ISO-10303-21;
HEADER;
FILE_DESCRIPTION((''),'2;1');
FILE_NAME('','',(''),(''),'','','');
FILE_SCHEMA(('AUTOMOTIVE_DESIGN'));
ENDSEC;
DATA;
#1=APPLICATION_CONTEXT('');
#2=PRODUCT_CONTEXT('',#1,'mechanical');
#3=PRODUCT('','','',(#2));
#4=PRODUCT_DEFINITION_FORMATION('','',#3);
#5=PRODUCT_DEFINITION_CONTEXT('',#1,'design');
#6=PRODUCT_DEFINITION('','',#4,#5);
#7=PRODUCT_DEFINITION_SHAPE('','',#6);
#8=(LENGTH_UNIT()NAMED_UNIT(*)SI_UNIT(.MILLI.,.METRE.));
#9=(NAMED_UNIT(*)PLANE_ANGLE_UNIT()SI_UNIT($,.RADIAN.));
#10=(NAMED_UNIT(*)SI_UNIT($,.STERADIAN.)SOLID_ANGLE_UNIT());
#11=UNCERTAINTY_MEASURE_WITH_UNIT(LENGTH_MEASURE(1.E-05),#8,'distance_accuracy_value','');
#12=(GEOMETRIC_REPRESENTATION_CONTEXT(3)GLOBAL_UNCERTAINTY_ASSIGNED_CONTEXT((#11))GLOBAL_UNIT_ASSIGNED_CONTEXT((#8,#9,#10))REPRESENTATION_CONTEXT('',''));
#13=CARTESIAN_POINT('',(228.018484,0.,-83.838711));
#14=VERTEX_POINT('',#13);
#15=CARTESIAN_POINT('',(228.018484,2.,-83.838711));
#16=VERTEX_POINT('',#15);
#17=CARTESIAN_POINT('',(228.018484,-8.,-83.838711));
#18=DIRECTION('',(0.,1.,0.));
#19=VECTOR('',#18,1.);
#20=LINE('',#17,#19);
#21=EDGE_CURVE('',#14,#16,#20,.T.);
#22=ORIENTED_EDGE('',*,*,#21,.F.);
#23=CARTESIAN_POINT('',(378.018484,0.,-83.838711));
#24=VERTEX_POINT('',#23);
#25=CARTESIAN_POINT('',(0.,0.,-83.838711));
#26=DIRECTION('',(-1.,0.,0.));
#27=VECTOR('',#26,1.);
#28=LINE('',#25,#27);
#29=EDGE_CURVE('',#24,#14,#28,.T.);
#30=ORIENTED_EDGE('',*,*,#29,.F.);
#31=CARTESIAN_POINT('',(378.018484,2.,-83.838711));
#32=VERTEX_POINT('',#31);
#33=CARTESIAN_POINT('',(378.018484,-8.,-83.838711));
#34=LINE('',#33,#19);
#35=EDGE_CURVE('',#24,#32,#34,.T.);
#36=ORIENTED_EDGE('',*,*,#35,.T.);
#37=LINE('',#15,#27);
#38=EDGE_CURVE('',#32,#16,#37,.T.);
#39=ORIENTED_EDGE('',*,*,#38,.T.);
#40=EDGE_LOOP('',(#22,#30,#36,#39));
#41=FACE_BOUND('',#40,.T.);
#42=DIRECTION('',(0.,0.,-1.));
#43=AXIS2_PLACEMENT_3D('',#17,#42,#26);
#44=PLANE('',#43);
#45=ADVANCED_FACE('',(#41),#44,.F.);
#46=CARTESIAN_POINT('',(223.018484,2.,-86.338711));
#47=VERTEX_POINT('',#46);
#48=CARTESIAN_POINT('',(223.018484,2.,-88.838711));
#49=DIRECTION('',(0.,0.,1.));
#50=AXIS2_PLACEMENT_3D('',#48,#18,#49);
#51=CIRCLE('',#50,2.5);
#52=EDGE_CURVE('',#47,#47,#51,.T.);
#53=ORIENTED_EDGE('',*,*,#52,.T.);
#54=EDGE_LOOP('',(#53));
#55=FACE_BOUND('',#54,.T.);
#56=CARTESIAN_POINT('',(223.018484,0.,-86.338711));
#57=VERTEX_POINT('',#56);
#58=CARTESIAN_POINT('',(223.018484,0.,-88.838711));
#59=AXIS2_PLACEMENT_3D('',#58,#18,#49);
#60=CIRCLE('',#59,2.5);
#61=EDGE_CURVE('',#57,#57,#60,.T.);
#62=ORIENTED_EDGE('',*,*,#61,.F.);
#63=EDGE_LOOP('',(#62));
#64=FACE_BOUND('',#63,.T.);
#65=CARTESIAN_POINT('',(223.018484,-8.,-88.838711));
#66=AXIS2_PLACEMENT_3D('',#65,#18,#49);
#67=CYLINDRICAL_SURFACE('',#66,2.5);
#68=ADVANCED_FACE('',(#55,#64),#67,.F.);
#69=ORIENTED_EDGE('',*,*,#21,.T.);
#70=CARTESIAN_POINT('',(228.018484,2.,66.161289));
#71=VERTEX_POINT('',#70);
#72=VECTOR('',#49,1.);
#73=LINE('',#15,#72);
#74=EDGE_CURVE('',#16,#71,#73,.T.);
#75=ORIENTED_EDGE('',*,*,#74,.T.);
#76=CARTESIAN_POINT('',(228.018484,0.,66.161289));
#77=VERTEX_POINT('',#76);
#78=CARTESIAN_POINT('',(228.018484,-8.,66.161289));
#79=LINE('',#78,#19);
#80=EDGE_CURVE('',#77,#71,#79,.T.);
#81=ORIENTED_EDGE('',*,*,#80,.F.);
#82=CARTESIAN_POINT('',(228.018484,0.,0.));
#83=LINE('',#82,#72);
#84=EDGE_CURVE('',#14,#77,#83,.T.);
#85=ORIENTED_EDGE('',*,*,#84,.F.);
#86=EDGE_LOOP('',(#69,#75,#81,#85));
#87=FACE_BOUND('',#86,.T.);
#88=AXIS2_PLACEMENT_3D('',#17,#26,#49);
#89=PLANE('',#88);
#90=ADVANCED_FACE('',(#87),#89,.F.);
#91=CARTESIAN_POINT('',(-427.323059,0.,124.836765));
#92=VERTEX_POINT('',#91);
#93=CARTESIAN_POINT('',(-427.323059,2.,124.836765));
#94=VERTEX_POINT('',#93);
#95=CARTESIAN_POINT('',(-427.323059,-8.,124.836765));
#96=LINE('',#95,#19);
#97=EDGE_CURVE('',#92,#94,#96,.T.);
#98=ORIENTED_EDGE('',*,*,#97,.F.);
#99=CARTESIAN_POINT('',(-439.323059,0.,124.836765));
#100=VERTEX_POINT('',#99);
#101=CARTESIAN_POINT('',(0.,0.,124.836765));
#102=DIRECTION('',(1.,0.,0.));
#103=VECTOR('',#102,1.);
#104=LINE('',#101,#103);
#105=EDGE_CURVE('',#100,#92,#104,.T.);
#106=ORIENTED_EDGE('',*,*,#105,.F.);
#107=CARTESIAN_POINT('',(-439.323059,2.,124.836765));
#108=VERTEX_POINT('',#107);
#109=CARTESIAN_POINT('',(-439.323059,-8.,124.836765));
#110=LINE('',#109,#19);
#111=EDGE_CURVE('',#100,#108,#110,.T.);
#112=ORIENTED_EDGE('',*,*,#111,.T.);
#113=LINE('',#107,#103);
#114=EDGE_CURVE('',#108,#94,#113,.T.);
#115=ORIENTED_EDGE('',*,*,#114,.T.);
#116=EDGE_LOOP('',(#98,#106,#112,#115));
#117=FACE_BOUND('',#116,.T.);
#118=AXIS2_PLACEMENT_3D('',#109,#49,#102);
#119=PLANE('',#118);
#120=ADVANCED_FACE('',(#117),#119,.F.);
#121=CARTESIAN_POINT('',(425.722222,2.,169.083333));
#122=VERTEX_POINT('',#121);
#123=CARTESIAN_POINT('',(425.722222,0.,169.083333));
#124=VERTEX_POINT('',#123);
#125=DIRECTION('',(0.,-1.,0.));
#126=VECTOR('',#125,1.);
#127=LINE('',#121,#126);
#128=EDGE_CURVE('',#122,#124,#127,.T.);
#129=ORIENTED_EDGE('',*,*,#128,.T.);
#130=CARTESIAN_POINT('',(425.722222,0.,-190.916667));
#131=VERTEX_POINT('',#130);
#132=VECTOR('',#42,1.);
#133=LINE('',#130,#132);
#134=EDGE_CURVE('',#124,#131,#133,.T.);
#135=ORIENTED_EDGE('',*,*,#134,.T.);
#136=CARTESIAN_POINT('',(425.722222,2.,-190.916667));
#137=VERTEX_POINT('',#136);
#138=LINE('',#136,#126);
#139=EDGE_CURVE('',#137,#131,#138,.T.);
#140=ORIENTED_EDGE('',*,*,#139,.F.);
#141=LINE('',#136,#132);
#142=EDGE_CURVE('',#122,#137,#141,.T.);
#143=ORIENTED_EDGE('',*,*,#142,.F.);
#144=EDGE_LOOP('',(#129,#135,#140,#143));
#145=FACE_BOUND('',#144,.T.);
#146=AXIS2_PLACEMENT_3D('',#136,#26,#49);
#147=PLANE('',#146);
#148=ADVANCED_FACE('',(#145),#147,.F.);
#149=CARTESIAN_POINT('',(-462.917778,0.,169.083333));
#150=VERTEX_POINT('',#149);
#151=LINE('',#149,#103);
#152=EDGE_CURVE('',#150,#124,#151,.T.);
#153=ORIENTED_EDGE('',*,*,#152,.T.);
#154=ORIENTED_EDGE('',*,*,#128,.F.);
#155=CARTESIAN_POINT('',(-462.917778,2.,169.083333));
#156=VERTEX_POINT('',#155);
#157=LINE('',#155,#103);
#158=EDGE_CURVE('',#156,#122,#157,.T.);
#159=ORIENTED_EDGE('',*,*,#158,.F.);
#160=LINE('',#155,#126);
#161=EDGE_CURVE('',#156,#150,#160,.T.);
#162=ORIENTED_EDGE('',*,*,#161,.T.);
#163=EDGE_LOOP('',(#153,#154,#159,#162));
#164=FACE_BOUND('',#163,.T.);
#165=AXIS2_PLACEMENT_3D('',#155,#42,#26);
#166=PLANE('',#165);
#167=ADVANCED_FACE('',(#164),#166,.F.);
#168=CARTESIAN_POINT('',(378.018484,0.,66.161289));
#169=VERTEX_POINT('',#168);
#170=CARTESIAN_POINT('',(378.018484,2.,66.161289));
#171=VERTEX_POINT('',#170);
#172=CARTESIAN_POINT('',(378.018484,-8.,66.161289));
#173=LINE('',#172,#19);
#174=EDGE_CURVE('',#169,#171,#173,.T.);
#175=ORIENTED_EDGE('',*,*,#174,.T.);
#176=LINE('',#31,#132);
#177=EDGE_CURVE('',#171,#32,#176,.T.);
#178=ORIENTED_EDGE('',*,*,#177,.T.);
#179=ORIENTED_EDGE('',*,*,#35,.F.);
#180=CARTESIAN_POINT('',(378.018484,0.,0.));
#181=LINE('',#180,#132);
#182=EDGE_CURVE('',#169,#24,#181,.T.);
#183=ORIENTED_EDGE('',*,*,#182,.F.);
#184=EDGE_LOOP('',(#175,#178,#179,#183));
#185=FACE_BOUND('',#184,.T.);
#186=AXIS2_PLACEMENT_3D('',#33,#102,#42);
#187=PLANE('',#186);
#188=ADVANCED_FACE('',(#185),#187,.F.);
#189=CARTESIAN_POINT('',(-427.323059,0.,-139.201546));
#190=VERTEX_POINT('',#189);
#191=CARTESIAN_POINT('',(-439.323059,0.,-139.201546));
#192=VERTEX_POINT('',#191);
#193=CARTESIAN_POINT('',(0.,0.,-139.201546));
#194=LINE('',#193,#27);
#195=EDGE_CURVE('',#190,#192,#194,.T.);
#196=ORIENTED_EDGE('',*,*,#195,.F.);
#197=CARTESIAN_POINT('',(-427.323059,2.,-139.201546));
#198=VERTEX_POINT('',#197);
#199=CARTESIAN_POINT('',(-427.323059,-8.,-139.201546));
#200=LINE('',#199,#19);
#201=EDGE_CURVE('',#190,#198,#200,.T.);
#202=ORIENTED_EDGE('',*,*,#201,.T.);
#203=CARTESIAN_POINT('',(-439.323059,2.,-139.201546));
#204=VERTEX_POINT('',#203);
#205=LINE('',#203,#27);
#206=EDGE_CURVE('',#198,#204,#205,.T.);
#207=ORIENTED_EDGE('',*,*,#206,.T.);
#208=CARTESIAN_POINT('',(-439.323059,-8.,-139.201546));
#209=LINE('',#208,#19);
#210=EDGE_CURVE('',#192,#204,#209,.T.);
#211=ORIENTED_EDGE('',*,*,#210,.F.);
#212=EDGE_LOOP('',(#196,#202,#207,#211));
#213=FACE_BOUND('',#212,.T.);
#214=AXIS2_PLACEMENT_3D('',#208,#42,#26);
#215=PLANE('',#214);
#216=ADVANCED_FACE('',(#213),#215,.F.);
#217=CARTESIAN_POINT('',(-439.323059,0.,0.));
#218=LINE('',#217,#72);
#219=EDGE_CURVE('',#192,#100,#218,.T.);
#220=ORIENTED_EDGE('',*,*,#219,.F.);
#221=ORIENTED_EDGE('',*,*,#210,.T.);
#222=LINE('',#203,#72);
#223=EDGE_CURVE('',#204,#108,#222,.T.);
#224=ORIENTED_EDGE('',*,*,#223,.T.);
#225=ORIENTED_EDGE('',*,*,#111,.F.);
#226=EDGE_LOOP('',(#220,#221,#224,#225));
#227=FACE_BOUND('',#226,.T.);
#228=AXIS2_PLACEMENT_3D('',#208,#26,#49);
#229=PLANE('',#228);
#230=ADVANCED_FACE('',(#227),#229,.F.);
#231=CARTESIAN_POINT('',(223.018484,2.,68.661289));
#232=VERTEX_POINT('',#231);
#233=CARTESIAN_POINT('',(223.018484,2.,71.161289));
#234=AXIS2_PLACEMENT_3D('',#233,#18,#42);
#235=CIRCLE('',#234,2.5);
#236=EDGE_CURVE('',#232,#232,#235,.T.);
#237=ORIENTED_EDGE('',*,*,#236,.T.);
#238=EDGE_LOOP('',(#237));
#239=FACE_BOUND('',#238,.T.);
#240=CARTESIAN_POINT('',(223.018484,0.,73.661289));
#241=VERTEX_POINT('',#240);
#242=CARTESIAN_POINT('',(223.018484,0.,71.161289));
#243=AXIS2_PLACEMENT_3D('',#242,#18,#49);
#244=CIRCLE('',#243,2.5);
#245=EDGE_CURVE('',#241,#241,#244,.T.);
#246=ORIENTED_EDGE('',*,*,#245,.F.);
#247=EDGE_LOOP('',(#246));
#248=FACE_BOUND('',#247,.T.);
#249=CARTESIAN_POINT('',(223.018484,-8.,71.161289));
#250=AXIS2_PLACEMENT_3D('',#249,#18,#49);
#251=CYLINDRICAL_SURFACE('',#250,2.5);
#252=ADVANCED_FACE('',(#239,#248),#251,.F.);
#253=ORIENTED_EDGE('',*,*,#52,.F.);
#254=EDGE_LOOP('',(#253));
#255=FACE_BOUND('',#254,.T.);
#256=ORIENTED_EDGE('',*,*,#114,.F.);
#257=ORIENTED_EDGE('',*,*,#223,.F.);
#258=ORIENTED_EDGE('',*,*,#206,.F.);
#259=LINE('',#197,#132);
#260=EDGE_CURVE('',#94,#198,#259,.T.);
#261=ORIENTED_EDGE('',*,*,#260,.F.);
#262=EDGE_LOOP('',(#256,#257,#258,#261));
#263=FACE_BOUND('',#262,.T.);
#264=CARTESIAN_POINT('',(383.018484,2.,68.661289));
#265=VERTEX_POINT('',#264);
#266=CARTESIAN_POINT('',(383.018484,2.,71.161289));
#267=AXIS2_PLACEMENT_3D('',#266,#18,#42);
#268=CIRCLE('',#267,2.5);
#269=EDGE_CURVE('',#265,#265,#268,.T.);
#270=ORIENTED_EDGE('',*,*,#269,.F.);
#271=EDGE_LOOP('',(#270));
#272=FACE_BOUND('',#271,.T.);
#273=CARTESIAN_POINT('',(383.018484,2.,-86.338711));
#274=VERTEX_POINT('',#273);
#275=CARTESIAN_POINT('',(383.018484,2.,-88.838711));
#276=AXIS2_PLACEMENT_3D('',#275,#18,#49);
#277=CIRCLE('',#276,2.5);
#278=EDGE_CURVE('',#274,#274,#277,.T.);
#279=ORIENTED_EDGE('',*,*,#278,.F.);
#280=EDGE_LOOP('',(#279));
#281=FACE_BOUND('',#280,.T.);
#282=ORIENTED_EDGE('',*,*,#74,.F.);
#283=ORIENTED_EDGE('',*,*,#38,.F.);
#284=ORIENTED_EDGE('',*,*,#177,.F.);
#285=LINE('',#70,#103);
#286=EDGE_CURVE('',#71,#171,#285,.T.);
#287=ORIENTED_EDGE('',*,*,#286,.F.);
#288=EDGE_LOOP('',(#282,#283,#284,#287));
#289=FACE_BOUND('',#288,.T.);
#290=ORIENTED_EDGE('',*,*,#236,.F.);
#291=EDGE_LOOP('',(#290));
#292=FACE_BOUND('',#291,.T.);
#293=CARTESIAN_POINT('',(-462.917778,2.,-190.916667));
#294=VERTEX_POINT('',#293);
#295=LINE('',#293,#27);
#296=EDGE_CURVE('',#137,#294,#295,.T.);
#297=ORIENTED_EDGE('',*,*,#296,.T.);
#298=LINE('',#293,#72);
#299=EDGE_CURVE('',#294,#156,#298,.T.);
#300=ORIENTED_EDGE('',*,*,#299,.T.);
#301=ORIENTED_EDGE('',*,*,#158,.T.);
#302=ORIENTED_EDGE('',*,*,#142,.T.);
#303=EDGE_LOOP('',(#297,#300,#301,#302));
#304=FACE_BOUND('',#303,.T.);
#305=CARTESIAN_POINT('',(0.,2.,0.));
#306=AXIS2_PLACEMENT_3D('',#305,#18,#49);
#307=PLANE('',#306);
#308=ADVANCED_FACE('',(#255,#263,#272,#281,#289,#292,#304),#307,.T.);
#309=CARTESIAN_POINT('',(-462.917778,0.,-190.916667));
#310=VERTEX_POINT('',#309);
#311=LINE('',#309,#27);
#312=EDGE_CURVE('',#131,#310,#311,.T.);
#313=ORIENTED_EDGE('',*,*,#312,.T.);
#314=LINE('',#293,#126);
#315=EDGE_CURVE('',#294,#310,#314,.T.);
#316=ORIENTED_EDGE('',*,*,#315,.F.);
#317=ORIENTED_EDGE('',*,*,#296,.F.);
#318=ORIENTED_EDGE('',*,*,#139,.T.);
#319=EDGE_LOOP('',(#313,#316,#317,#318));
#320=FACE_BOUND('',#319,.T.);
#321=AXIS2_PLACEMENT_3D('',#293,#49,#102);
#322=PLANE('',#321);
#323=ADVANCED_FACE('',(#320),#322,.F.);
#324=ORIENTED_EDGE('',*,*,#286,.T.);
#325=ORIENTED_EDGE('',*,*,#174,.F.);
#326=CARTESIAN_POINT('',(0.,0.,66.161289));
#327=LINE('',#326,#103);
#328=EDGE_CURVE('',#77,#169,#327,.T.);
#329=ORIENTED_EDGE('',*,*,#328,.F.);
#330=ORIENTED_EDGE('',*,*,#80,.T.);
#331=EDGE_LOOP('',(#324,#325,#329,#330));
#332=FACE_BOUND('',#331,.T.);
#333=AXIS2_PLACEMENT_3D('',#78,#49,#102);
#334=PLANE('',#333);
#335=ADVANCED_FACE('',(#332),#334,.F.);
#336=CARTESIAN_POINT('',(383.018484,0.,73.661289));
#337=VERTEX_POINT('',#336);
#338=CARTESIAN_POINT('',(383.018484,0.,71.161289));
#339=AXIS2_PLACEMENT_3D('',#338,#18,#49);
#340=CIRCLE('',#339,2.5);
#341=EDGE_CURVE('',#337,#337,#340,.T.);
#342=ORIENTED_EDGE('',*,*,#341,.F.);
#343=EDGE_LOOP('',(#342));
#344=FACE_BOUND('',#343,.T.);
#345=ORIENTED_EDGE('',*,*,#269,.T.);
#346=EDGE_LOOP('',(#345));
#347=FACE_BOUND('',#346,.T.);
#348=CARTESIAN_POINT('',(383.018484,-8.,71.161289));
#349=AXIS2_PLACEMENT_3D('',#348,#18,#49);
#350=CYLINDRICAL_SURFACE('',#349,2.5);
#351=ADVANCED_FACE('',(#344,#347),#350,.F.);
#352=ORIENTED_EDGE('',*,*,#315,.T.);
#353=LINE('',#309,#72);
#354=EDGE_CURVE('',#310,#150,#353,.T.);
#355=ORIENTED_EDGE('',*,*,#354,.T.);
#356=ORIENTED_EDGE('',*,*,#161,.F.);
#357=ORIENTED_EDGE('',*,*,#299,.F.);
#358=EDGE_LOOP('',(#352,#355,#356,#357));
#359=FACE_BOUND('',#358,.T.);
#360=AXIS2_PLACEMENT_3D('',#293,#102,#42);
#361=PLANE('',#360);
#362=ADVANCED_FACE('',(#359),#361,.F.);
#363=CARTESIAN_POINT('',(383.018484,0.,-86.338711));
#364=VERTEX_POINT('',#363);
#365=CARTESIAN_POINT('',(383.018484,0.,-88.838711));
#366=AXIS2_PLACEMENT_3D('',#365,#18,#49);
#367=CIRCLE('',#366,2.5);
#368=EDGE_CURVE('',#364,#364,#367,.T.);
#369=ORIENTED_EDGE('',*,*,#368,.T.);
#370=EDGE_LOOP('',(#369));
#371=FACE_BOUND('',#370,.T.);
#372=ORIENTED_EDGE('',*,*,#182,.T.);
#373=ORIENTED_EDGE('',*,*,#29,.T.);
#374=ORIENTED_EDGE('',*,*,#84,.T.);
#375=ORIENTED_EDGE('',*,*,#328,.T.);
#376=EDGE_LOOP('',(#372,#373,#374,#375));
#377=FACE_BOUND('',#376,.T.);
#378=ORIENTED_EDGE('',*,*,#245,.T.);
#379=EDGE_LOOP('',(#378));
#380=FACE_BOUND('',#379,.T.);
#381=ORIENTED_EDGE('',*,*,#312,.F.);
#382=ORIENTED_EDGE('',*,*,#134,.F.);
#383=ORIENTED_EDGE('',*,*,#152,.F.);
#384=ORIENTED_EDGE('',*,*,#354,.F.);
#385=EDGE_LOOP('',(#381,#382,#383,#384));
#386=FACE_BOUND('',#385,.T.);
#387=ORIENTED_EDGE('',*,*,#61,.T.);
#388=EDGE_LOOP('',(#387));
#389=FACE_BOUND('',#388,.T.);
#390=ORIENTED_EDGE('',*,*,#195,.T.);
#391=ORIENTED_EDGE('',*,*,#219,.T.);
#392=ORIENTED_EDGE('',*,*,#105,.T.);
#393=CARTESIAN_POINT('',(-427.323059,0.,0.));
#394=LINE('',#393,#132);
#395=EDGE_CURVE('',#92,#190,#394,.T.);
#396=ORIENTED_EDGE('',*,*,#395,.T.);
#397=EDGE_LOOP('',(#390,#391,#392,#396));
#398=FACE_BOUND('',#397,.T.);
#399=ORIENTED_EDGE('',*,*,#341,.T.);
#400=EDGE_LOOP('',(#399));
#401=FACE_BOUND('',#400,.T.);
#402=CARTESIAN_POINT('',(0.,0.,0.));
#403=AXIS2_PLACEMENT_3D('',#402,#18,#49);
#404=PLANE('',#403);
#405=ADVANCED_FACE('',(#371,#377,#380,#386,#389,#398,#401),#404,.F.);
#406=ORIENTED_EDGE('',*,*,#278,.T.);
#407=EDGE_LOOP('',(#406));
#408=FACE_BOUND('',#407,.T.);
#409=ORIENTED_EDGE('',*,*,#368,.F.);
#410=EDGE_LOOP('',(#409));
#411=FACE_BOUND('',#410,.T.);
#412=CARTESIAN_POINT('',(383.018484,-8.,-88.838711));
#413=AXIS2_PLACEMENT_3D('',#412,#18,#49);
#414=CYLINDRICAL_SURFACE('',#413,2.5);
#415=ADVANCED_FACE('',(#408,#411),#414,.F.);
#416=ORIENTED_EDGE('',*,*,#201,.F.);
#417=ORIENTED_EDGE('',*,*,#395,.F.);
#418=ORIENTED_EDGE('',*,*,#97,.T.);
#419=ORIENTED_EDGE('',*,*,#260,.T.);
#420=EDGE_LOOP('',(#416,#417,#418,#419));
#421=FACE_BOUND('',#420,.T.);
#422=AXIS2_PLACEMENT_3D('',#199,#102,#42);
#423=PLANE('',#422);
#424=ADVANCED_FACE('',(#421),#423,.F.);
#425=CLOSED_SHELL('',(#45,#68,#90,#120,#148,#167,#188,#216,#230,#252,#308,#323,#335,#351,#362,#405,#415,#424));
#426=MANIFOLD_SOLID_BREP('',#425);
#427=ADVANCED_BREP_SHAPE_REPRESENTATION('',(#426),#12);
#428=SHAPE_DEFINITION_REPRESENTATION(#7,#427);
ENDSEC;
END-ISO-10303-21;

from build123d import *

# Parameters (mm, degrees)
SKETCH1_W           = 888.64
SKETCH1_H           = 360
BOSS_EXTRUDE1_DEPTH = 2
SKETCH8_W           = 12
SKETCH8_H           = 264.038311476
CUT_EXTRUDE6_DEPTH  = 10
SKETCH9_R           = 2.5
SKETCH9_W           = 150
SKETCH9_H           = 150
CUT_EXTRUDE7_DEPTH  = 10


with BuildPart() as part:
    # Sketch1 → Boss-Extrude1 (new body)
    with BuildSketch(Plane(origin=(0, 0, 0), x_dir=(1, 0, 0), z_dir=(0, 1, 0))):
        with Locations((-18.597777778, 10.916666667)):
            Rectangle(SKETCH1_W, SKETCH1_H)
    extrude(amount=BOSS_EXTRUDE1_DEPTH)

    # Sketch8 → Cut-Extrude6 (cut)
    with BuildSketch(Plane(origin=(0, 2, 0), x_dir=(1, 0, 0), z_dir=(0, 1, 0))):
        with Locations((-433.323058676, 7.182390304)):
            Rectangle(SKETCH8_W, SKETCH8_H)
    extrude(amount=-CUT_EXTRUDE6_DEPTH, mode=Mode.SUBTRACT)

    # Sketch9 → Cut-Extrude7 (cut)
    with BuildSketch(Plane(origin=(0, 2, 0), x_dir=(1, 0, 0), z_dir=(0, 1, 0))):
        with Locations((223.018484234, 88.838711225)):
            Circle(SKETCH9_R)
        with Locations((383.018484234, 88.838711225)):
            Circle(SKETCH9_R)
        with Locations((383.018484234, -71.161288775)):
            Circle(SKETCH9_R)
        with Locations((223.018484234, -71.161288775)):
            Circle(SKETCH9_R)
        with Locations((303.018484234, 8.838711225)):
            Rectangle(SKETCH9_W, SKETCH9_H)
    extrude(amount=-CUT_EXTRUDE7_DEPTH, mode=Mode.SUBTRACT)


solid = part.part
